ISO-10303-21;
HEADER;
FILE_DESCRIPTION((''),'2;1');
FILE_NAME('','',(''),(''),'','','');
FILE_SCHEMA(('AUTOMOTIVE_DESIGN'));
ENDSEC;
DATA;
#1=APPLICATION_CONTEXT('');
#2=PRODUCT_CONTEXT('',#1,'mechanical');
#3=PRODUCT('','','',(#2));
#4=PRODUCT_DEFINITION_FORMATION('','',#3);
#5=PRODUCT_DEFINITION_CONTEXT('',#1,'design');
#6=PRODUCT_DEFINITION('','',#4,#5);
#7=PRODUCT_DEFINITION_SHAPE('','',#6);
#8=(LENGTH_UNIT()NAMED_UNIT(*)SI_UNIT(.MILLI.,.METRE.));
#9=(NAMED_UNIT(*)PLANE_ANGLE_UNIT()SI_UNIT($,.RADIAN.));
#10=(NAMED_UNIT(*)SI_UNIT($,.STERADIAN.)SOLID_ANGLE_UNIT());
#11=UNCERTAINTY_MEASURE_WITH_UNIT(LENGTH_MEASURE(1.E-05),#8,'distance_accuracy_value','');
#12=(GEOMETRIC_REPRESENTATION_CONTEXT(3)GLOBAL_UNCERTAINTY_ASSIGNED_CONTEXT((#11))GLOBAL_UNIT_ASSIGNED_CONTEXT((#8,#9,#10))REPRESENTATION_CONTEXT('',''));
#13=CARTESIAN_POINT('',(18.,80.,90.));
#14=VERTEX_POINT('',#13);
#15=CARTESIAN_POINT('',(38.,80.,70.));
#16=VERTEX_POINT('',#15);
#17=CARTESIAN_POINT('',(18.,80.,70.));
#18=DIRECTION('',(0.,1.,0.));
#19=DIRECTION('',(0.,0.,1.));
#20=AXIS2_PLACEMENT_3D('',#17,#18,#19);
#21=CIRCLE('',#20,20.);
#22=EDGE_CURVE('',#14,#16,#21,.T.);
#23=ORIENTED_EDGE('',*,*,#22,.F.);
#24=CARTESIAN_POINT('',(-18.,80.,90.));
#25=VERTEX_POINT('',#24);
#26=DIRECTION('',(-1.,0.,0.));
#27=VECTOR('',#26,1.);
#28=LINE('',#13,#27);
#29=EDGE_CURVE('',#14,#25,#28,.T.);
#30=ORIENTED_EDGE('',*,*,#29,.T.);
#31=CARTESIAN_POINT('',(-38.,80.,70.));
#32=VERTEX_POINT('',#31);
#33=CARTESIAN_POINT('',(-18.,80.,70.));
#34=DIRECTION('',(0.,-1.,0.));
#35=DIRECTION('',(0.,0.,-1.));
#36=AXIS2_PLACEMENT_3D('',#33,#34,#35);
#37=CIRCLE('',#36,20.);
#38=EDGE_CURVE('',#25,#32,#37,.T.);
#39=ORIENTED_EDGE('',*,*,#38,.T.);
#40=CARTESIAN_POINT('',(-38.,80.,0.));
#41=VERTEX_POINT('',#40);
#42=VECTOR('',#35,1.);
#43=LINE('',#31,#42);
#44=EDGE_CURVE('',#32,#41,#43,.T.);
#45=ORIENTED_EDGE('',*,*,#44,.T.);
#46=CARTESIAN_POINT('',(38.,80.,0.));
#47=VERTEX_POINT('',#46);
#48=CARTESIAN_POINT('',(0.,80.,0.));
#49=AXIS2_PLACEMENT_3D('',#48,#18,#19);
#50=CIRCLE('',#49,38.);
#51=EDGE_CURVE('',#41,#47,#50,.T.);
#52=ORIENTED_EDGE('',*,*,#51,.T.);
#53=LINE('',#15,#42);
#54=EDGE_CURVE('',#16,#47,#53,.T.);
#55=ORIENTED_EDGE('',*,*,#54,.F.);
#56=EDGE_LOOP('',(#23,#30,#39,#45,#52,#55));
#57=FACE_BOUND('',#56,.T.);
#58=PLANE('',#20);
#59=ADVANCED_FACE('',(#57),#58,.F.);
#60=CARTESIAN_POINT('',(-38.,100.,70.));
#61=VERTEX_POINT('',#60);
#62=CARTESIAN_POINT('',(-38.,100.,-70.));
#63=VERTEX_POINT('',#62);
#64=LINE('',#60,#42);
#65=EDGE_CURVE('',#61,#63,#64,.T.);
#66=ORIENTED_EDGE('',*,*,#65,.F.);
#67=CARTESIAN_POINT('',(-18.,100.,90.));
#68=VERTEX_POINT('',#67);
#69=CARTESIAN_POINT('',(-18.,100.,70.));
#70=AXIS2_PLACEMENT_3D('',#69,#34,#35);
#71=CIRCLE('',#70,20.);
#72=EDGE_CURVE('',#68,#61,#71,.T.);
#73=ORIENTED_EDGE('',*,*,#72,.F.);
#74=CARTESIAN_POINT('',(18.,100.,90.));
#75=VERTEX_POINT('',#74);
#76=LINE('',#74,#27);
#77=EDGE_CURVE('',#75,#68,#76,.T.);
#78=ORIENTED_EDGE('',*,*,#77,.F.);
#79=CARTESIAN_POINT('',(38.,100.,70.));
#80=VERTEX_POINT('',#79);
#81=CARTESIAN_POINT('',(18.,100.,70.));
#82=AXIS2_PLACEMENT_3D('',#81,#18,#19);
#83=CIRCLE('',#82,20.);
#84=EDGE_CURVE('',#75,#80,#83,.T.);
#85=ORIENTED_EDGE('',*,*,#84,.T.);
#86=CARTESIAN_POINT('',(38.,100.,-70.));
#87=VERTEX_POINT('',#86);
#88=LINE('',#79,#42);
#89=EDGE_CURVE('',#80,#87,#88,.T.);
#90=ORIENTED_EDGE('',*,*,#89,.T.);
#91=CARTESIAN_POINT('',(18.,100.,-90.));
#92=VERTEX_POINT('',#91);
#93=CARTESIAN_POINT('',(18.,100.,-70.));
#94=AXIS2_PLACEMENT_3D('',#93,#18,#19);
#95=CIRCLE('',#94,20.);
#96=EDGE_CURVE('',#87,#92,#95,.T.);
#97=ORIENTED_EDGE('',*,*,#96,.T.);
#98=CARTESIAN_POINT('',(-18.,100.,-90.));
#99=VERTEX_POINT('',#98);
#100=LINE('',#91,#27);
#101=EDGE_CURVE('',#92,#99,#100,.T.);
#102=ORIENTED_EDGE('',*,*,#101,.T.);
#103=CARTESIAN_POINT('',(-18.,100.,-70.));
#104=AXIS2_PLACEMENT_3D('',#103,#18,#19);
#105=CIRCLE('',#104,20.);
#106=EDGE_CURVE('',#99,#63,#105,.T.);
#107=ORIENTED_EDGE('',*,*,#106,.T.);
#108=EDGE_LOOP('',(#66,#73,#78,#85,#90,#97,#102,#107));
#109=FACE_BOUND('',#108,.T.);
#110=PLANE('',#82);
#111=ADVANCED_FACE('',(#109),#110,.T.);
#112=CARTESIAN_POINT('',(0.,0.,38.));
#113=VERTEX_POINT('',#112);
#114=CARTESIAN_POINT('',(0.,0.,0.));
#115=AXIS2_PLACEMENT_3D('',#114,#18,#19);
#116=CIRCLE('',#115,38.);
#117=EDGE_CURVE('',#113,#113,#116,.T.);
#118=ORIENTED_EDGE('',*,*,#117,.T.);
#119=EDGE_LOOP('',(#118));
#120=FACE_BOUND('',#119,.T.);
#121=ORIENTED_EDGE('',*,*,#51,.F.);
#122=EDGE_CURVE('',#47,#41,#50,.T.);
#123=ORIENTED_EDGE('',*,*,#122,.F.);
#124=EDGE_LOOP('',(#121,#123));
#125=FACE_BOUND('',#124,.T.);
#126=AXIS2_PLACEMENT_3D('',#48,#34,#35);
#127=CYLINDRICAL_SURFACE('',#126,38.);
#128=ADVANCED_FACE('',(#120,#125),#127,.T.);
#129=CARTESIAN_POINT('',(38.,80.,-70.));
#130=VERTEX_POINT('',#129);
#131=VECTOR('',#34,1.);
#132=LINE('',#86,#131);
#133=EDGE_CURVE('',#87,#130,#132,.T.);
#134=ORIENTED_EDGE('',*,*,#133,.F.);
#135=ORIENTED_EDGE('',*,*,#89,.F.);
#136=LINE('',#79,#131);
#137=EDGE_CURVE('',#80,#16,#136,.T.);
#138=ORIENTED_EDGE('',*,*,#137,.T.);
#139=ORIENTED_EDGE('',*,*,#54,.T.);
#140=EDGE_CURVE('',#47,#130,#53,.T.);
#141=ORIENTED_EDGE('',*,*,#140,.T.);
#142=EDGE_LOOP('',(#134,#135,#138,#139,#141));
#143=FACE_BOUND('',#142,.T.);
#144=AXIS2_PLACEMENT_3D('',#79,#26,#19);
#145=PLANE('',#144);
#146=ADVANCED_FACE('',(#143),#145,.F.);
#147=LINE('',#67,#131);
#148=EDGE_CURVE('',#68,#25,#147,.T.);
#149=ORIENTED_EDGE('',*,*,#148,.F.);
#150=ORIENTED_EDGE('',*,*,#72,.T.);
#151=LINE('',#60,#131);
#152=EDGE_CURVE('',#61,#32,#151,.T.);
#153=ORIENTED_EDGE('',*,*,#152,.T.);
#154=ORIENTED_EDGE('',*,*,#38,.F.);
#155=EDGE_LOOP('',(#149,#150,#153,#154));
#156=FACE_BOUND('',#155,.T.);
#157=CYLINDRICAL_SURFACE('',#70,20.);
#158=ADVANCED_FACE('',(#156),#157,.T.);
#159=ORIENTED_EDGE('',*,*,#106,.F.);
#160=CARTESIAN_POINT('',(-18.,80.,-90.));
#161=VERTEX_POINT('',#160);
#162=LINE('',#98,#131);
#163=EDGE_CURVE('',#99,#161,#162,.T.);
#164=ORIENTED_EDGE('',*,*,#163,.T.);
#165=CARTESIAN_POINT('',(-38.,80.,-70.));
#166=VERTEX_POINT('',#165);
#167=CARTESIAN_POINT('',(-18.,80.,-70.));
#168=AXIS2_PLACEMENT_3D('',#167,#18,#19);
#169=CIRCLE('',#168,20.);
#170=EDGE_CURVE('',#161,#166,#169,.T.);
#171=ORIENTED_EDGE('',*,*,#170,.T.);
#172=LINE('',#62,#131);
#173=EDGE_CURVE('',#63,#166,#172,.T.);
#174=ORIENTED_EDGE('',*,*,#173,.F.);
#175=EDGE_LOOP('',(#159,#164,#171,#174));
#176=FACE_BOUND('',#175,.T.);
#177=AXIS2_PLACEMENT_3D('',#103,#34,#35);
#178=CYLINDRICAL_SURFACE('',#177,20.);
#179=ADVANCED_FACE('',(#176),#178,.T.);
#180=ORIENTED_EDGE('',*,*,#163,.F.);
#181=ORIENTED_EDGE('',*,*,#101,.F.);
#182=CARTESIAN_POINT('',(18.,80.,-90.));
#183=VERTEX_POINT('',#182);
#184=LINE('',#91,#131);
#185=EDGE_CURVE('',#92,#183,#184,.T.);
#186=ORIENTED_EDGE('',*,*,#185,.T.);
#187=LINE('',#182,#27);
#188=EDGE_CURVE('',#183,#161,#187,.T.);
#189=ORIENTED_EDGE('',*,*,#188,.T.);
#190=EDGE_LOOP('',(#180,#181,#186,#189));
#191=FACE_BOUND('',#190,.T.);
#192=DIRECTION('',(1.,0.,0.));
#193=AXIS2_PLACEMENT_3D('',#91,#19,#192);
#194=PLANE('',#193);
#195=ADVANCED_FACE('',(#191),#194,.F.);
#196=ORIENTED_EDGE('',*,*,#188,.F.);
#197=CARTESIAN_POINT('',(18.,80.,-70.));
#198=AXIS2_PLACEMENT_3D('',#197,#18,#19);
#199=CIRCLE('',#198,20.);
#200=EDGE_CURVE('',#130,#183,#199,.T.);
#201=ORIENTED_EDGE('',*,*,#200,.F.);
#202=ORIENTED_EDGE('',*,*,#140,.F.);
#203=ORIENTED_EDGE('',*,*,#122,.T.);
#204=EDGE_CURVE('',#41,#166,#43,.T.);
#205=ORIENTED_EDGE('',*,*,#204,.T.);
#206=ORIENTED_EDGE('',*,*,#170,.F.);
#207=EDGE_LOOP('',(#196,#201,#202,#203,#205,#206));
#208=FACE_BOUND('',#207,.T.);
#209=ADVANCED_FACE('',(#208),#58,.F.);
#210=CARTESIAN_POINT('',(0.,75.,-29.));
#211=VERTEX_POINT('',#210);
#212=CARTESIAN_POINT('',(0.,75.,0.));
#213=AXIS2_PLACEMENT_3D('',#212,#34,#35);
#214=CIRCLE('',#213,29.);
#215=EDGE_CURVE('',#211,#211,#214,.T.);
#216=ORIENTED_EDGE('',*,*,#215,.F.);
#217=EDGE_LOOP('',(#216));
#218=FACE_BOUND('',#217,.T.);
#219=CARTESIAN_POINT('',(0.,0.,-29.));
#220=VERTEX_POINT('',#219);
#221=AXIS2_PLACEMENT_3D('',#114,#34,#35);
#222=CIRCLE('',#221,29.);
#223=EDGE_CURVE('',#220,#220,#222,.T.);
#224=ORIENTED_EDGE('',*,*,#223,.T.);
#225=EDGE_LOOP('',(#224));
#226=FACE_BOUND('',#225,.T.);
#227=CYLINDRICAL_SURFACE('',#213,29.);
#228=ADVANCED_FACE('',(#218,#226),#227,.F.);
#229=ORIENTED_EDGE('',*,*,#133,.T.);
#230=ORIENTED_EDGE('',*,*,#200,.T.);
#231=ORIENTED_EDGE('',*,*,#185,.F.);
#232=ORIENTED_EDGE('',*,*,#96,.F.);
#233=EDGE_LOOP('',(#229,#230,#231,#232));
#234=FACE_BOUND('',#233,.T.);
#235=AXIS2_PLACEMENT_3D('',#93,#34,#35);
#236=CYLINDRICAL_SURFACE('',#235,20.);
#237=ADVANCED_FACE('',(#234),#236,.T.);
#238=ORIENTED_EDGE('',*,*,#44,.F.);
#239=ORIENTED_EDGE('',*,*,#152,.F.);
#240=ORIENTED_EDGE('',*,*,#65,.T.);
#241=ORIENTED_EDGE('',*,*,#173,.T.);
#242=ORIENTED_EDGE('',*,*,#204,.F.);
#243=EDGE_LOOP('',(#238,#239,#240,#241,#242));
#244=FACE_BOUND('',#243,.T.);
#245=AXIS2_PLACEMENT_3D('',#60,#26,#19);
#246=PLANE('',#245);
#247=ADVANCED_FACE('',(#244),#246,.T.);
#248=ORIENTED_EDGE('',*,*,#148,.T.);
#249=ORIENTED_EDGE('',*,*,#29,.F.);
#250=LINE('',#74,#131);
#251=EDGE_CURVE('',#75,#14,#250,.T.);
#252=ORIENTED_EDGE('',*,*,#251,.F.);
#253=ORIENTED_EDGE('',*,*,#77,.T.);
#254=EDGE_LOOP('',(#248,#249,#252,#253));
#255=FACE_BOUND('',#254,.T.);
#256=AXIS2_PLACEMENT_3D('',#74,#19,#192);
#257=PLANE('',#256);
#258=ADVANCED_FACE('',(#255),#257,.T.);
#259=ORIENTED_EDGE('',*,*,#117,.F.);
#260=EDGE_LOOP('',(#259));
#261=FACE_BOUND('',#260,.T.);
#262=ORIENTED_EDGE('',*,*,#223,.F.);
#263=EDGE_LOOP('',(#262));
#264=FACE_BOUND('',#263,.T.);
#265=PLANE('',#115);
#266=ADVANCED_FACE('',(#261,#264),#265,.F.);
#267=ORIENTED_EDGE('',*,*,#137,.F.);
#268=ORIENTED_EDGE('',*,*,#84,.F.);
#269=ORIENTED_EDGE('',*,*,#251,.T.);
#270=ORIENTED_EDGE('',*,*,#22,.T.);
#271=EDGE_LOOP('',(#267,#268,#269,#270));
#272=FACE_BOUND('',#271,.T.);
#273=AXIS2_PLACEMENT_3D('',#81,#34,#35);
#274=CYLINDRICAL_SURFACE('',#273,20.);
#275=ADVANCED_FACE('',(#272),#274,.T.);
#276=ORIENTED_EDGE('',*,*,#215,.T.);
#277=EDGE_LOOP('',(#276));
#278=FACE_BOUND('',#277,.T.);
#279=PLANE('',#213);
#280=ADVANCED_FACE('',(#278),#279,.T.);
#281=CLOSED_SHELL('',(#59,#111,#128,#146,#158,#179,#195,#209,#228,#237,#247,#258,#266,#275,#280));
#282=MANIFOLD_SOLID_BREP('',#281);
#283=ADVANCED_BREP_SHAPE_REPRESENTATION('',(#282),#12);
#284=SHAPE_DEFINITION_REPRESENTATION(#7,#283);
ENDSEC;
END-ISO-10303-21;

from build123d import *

# Parameters (mm, degrees)
SKETCH1_R           = 38
BOSS_EXTRUDE1_DEPTH = 80
SKETCH2_R           = 29
CUT_EXTRUDE1_DEPTH  = 75
BOSS_EXTRUDE2_DEPTH = 20


with BuildPart() as part:
    # Sketch1 → Boss-Extrude1 (new body)
    with BuildSketch(Plane(origin=(0, 0, 0), x_dir=(1, 0, 0), z_dir=(0, 1, 0))):
        with Locations(Location((0, 0, 0), (0, 0, 270))):
            Circle(SKETCH1_R)
    extrude(amount=BOSS_EXTRUDE1_DEPTH)

    # Sketch2 → Cut-Extrude1 (cut)
    with BuildSketch(Plane.XZ):
        with Locations(Location((0, 0, 0), (0, 0, 270))):
            Circle(SKETCH2_R)
    extrude(amount=-CUT_EXTRUDE1_DEPTH, mode=Mode.SUBTRACT)

    # Sketch3 → Boss-Extrude2 (add)
    with BuildSketch(Plane(origin=(0, 80, 0), x_dir=(1, 0, 0), z_dir=(0, 1, 0))):
        with BuildLine():
            Line((18, -90), (-18, -90))
            ThreePointArc((-18, -90), (-32.142135624, -84.142135624), (-38, -70))
            Line((-38, -70), (-38, 70))
            ThreePointArc((-38, 70), (-32.142135624, 84.142135624), (-18, 90))
            Line((-18, 90), (18, 90))
            ThreePointArc((18, 90), (32.142135624, 84.142135624), (38, 70))
            Line((38, 70), (38, -70))
            ThreePointArc((38, -70), (32.142135624, -84.142135624), (18, -90))
        make_face()
    extrude(amount=BOSS_EXTRUDE2_DEPTH)


solid = part.part
